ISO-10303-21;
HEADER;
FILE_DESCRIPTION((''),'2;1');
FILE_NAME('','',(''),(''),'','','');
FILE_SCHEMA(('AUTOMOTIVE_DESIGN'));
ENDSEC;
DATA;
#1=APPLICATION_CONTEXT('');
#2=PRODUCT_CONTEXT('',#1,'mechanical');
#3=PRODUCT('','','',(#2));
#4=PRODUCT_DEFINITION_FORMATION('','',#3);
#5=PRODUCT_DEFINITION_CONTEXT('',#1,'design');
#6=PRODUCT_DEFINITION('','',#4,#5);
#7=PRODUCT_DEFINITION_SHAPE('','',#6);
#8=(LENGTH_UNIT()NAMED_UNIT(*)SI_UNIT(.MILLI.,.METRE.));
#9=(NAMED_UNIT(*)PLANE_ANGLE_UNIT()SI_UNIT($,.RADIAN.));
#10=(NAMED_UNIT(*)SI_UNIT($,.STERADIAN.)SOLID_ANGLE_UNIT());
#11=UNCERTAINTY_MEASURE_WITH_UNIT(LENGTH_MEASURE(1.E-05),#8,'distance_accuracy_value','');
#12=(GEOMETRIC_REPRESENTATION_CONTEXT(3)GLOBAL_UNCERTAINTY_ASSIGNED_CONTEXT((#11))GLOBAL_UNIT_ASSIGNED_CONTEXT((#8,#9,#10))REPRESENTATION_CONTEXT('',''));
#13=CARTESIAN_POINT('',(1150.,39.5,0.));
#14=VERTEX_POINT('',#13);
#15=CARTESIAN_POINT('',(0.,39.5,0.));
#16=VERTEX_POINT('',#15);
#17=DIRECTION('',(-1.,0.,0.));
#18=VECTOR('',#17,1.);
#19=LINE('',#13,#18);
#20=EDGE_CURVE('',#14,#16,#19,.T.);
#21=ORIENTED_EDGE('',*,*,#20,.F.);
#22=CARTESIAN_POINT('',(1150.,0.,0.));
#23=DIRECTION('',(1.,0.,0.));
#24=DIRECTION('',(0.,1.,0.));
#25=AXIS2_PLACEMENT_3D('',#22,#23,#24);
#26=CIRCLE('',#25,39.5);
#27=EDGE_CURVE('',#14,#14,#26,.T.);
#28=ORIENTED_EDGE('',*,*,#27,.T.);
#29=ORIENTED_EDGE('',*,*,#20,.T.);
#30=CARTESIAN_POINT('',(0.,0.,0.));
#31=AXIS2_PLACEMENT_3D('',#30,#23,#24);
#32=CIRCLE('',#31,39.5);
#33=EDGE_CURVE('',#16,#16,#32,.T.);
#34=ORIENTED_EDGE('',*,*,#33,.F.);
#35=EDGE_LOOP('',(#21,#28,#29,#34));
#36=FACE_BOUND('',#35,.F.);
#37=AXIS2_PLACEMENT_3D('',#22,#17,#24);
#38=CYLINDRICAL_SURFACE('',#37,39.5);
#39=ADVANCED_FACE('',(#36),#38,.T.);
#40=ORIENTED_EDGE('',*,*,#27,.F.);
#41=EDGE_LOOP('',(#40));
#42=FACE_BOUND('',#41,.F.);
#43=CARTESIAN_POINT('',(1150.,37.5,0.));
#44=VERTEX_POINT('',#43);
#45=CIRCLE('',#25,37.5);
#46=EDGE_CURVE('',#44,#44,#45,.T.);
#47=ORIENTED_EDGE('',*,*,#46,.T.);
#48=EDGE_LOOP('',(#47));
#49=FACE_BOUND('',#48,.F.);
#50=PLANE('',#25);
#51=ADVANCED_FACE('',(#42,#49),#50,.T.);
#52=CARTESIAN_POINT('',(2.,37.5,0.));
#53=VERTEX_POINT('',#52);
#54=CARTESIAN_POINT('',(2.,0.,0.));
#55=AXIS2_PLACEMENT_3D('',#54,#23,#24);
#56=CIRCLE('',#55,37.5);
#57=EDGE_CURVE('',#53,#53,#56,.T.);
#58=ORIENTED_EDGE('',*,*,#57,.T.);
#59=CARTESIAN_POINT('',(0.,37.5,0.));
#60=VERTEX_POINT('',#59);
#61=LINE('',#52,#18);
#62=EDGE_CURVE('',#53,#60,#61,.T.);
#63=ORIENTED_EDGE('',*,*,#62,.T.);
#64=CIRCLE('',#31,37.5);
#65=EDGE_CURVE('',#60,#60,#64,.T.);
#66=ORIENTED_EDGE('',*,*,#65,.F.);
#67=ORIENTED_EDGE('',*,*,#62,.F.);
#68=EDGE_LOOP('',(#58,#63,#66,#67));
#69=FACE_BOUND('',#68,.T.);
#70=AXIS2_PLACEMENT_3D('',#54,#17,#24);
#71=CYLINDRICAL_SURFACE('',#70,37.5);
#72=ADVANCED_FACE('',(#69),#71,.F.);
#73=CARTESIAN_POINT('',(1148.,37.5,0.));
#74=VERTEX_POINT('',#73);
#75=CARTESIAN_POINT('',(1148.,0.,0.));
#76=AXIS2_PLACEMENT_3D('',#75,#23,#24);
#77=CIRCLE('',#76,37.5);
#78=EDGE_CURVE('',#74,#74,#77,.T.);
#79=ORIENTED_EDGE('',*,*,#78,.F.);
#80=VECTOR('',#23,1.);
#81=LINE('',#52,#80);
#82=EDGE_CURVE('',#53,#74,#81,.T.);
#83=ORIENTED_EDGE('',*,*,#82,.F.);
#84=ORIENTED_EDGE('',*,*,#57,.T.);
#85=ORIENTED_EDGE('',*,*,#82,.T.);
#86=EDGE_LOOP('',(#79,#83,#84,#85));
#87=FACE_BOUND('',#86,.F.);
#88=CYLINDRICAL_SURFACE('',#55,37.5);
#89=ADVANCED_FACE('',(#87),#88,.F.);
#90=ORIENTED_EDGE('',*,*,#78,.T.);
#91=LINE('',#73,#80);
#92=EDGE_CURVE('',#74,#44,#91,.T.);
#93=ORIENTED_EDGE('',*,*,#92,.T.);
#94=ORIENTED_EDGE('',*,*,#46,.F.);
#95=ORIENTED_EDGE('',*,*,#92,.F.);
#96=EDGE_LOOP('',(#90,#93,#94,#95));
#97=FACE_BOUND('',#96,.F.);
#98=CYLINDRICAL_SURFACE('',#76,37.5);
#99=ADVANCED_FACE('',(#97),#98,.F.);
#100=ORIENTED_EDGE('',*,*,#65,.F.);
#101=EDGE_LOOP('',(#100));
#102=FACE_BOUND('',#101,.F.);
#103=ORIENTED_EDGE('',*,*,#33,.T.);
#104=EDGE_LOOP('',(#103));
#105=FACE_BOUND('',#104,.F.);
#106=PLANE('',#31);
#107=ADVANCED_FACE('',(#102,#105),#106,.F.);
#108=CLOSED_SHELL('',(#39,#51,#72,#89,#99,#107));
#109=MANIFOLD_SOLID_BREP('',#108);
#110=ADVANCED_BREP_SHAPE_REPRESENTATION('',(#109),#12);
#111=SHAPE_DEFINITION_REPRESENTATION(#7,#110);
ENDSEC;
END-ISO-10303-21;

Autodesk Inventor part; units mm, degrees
ref_plane "YZ Plane" through (0, 0, 0) normal (1, 0, 0) x (0, 1, 0)
ref_plane "XZ Plane" through (0, 0, 0) normal (0, 1, 0) x (-1, 0, 0)
ref_plane "XY Plane" through (0, 0, 0) normal (0, 0, 1) x (1, 0, 0)
sketch "Sketch1" plane through (0, 0, 0) normal (0, 0, 1) x (1, 0, 0)
  line L0 (0, 0) -> (1150, 0)
  line L1 (1150, 0) -> (1150, 39.5)
  line L2 (1150, 39.5) -> (0, 39.5)
  line L3 (0, 39.5) -> (0, 0)
  line L4 (2, 37.5) -> (1148, 37.5)
  line L5 (1148, 37.5) -> (1150, 37.5)
  line L6 (2, 37.5) -> (0, 37.5)
  dimension "d0" = 1150
  dimension "d1" = 39.5
  dimension "d2" = 2
revolve "Revolution1" add sketch "Sketch1" angle 360 about axis through (0, 0, 0) along (1, 0, 0) contours L3 L2 L1 L5 L4 L6
properties part number "Body Tube" material "FibreGlass"
